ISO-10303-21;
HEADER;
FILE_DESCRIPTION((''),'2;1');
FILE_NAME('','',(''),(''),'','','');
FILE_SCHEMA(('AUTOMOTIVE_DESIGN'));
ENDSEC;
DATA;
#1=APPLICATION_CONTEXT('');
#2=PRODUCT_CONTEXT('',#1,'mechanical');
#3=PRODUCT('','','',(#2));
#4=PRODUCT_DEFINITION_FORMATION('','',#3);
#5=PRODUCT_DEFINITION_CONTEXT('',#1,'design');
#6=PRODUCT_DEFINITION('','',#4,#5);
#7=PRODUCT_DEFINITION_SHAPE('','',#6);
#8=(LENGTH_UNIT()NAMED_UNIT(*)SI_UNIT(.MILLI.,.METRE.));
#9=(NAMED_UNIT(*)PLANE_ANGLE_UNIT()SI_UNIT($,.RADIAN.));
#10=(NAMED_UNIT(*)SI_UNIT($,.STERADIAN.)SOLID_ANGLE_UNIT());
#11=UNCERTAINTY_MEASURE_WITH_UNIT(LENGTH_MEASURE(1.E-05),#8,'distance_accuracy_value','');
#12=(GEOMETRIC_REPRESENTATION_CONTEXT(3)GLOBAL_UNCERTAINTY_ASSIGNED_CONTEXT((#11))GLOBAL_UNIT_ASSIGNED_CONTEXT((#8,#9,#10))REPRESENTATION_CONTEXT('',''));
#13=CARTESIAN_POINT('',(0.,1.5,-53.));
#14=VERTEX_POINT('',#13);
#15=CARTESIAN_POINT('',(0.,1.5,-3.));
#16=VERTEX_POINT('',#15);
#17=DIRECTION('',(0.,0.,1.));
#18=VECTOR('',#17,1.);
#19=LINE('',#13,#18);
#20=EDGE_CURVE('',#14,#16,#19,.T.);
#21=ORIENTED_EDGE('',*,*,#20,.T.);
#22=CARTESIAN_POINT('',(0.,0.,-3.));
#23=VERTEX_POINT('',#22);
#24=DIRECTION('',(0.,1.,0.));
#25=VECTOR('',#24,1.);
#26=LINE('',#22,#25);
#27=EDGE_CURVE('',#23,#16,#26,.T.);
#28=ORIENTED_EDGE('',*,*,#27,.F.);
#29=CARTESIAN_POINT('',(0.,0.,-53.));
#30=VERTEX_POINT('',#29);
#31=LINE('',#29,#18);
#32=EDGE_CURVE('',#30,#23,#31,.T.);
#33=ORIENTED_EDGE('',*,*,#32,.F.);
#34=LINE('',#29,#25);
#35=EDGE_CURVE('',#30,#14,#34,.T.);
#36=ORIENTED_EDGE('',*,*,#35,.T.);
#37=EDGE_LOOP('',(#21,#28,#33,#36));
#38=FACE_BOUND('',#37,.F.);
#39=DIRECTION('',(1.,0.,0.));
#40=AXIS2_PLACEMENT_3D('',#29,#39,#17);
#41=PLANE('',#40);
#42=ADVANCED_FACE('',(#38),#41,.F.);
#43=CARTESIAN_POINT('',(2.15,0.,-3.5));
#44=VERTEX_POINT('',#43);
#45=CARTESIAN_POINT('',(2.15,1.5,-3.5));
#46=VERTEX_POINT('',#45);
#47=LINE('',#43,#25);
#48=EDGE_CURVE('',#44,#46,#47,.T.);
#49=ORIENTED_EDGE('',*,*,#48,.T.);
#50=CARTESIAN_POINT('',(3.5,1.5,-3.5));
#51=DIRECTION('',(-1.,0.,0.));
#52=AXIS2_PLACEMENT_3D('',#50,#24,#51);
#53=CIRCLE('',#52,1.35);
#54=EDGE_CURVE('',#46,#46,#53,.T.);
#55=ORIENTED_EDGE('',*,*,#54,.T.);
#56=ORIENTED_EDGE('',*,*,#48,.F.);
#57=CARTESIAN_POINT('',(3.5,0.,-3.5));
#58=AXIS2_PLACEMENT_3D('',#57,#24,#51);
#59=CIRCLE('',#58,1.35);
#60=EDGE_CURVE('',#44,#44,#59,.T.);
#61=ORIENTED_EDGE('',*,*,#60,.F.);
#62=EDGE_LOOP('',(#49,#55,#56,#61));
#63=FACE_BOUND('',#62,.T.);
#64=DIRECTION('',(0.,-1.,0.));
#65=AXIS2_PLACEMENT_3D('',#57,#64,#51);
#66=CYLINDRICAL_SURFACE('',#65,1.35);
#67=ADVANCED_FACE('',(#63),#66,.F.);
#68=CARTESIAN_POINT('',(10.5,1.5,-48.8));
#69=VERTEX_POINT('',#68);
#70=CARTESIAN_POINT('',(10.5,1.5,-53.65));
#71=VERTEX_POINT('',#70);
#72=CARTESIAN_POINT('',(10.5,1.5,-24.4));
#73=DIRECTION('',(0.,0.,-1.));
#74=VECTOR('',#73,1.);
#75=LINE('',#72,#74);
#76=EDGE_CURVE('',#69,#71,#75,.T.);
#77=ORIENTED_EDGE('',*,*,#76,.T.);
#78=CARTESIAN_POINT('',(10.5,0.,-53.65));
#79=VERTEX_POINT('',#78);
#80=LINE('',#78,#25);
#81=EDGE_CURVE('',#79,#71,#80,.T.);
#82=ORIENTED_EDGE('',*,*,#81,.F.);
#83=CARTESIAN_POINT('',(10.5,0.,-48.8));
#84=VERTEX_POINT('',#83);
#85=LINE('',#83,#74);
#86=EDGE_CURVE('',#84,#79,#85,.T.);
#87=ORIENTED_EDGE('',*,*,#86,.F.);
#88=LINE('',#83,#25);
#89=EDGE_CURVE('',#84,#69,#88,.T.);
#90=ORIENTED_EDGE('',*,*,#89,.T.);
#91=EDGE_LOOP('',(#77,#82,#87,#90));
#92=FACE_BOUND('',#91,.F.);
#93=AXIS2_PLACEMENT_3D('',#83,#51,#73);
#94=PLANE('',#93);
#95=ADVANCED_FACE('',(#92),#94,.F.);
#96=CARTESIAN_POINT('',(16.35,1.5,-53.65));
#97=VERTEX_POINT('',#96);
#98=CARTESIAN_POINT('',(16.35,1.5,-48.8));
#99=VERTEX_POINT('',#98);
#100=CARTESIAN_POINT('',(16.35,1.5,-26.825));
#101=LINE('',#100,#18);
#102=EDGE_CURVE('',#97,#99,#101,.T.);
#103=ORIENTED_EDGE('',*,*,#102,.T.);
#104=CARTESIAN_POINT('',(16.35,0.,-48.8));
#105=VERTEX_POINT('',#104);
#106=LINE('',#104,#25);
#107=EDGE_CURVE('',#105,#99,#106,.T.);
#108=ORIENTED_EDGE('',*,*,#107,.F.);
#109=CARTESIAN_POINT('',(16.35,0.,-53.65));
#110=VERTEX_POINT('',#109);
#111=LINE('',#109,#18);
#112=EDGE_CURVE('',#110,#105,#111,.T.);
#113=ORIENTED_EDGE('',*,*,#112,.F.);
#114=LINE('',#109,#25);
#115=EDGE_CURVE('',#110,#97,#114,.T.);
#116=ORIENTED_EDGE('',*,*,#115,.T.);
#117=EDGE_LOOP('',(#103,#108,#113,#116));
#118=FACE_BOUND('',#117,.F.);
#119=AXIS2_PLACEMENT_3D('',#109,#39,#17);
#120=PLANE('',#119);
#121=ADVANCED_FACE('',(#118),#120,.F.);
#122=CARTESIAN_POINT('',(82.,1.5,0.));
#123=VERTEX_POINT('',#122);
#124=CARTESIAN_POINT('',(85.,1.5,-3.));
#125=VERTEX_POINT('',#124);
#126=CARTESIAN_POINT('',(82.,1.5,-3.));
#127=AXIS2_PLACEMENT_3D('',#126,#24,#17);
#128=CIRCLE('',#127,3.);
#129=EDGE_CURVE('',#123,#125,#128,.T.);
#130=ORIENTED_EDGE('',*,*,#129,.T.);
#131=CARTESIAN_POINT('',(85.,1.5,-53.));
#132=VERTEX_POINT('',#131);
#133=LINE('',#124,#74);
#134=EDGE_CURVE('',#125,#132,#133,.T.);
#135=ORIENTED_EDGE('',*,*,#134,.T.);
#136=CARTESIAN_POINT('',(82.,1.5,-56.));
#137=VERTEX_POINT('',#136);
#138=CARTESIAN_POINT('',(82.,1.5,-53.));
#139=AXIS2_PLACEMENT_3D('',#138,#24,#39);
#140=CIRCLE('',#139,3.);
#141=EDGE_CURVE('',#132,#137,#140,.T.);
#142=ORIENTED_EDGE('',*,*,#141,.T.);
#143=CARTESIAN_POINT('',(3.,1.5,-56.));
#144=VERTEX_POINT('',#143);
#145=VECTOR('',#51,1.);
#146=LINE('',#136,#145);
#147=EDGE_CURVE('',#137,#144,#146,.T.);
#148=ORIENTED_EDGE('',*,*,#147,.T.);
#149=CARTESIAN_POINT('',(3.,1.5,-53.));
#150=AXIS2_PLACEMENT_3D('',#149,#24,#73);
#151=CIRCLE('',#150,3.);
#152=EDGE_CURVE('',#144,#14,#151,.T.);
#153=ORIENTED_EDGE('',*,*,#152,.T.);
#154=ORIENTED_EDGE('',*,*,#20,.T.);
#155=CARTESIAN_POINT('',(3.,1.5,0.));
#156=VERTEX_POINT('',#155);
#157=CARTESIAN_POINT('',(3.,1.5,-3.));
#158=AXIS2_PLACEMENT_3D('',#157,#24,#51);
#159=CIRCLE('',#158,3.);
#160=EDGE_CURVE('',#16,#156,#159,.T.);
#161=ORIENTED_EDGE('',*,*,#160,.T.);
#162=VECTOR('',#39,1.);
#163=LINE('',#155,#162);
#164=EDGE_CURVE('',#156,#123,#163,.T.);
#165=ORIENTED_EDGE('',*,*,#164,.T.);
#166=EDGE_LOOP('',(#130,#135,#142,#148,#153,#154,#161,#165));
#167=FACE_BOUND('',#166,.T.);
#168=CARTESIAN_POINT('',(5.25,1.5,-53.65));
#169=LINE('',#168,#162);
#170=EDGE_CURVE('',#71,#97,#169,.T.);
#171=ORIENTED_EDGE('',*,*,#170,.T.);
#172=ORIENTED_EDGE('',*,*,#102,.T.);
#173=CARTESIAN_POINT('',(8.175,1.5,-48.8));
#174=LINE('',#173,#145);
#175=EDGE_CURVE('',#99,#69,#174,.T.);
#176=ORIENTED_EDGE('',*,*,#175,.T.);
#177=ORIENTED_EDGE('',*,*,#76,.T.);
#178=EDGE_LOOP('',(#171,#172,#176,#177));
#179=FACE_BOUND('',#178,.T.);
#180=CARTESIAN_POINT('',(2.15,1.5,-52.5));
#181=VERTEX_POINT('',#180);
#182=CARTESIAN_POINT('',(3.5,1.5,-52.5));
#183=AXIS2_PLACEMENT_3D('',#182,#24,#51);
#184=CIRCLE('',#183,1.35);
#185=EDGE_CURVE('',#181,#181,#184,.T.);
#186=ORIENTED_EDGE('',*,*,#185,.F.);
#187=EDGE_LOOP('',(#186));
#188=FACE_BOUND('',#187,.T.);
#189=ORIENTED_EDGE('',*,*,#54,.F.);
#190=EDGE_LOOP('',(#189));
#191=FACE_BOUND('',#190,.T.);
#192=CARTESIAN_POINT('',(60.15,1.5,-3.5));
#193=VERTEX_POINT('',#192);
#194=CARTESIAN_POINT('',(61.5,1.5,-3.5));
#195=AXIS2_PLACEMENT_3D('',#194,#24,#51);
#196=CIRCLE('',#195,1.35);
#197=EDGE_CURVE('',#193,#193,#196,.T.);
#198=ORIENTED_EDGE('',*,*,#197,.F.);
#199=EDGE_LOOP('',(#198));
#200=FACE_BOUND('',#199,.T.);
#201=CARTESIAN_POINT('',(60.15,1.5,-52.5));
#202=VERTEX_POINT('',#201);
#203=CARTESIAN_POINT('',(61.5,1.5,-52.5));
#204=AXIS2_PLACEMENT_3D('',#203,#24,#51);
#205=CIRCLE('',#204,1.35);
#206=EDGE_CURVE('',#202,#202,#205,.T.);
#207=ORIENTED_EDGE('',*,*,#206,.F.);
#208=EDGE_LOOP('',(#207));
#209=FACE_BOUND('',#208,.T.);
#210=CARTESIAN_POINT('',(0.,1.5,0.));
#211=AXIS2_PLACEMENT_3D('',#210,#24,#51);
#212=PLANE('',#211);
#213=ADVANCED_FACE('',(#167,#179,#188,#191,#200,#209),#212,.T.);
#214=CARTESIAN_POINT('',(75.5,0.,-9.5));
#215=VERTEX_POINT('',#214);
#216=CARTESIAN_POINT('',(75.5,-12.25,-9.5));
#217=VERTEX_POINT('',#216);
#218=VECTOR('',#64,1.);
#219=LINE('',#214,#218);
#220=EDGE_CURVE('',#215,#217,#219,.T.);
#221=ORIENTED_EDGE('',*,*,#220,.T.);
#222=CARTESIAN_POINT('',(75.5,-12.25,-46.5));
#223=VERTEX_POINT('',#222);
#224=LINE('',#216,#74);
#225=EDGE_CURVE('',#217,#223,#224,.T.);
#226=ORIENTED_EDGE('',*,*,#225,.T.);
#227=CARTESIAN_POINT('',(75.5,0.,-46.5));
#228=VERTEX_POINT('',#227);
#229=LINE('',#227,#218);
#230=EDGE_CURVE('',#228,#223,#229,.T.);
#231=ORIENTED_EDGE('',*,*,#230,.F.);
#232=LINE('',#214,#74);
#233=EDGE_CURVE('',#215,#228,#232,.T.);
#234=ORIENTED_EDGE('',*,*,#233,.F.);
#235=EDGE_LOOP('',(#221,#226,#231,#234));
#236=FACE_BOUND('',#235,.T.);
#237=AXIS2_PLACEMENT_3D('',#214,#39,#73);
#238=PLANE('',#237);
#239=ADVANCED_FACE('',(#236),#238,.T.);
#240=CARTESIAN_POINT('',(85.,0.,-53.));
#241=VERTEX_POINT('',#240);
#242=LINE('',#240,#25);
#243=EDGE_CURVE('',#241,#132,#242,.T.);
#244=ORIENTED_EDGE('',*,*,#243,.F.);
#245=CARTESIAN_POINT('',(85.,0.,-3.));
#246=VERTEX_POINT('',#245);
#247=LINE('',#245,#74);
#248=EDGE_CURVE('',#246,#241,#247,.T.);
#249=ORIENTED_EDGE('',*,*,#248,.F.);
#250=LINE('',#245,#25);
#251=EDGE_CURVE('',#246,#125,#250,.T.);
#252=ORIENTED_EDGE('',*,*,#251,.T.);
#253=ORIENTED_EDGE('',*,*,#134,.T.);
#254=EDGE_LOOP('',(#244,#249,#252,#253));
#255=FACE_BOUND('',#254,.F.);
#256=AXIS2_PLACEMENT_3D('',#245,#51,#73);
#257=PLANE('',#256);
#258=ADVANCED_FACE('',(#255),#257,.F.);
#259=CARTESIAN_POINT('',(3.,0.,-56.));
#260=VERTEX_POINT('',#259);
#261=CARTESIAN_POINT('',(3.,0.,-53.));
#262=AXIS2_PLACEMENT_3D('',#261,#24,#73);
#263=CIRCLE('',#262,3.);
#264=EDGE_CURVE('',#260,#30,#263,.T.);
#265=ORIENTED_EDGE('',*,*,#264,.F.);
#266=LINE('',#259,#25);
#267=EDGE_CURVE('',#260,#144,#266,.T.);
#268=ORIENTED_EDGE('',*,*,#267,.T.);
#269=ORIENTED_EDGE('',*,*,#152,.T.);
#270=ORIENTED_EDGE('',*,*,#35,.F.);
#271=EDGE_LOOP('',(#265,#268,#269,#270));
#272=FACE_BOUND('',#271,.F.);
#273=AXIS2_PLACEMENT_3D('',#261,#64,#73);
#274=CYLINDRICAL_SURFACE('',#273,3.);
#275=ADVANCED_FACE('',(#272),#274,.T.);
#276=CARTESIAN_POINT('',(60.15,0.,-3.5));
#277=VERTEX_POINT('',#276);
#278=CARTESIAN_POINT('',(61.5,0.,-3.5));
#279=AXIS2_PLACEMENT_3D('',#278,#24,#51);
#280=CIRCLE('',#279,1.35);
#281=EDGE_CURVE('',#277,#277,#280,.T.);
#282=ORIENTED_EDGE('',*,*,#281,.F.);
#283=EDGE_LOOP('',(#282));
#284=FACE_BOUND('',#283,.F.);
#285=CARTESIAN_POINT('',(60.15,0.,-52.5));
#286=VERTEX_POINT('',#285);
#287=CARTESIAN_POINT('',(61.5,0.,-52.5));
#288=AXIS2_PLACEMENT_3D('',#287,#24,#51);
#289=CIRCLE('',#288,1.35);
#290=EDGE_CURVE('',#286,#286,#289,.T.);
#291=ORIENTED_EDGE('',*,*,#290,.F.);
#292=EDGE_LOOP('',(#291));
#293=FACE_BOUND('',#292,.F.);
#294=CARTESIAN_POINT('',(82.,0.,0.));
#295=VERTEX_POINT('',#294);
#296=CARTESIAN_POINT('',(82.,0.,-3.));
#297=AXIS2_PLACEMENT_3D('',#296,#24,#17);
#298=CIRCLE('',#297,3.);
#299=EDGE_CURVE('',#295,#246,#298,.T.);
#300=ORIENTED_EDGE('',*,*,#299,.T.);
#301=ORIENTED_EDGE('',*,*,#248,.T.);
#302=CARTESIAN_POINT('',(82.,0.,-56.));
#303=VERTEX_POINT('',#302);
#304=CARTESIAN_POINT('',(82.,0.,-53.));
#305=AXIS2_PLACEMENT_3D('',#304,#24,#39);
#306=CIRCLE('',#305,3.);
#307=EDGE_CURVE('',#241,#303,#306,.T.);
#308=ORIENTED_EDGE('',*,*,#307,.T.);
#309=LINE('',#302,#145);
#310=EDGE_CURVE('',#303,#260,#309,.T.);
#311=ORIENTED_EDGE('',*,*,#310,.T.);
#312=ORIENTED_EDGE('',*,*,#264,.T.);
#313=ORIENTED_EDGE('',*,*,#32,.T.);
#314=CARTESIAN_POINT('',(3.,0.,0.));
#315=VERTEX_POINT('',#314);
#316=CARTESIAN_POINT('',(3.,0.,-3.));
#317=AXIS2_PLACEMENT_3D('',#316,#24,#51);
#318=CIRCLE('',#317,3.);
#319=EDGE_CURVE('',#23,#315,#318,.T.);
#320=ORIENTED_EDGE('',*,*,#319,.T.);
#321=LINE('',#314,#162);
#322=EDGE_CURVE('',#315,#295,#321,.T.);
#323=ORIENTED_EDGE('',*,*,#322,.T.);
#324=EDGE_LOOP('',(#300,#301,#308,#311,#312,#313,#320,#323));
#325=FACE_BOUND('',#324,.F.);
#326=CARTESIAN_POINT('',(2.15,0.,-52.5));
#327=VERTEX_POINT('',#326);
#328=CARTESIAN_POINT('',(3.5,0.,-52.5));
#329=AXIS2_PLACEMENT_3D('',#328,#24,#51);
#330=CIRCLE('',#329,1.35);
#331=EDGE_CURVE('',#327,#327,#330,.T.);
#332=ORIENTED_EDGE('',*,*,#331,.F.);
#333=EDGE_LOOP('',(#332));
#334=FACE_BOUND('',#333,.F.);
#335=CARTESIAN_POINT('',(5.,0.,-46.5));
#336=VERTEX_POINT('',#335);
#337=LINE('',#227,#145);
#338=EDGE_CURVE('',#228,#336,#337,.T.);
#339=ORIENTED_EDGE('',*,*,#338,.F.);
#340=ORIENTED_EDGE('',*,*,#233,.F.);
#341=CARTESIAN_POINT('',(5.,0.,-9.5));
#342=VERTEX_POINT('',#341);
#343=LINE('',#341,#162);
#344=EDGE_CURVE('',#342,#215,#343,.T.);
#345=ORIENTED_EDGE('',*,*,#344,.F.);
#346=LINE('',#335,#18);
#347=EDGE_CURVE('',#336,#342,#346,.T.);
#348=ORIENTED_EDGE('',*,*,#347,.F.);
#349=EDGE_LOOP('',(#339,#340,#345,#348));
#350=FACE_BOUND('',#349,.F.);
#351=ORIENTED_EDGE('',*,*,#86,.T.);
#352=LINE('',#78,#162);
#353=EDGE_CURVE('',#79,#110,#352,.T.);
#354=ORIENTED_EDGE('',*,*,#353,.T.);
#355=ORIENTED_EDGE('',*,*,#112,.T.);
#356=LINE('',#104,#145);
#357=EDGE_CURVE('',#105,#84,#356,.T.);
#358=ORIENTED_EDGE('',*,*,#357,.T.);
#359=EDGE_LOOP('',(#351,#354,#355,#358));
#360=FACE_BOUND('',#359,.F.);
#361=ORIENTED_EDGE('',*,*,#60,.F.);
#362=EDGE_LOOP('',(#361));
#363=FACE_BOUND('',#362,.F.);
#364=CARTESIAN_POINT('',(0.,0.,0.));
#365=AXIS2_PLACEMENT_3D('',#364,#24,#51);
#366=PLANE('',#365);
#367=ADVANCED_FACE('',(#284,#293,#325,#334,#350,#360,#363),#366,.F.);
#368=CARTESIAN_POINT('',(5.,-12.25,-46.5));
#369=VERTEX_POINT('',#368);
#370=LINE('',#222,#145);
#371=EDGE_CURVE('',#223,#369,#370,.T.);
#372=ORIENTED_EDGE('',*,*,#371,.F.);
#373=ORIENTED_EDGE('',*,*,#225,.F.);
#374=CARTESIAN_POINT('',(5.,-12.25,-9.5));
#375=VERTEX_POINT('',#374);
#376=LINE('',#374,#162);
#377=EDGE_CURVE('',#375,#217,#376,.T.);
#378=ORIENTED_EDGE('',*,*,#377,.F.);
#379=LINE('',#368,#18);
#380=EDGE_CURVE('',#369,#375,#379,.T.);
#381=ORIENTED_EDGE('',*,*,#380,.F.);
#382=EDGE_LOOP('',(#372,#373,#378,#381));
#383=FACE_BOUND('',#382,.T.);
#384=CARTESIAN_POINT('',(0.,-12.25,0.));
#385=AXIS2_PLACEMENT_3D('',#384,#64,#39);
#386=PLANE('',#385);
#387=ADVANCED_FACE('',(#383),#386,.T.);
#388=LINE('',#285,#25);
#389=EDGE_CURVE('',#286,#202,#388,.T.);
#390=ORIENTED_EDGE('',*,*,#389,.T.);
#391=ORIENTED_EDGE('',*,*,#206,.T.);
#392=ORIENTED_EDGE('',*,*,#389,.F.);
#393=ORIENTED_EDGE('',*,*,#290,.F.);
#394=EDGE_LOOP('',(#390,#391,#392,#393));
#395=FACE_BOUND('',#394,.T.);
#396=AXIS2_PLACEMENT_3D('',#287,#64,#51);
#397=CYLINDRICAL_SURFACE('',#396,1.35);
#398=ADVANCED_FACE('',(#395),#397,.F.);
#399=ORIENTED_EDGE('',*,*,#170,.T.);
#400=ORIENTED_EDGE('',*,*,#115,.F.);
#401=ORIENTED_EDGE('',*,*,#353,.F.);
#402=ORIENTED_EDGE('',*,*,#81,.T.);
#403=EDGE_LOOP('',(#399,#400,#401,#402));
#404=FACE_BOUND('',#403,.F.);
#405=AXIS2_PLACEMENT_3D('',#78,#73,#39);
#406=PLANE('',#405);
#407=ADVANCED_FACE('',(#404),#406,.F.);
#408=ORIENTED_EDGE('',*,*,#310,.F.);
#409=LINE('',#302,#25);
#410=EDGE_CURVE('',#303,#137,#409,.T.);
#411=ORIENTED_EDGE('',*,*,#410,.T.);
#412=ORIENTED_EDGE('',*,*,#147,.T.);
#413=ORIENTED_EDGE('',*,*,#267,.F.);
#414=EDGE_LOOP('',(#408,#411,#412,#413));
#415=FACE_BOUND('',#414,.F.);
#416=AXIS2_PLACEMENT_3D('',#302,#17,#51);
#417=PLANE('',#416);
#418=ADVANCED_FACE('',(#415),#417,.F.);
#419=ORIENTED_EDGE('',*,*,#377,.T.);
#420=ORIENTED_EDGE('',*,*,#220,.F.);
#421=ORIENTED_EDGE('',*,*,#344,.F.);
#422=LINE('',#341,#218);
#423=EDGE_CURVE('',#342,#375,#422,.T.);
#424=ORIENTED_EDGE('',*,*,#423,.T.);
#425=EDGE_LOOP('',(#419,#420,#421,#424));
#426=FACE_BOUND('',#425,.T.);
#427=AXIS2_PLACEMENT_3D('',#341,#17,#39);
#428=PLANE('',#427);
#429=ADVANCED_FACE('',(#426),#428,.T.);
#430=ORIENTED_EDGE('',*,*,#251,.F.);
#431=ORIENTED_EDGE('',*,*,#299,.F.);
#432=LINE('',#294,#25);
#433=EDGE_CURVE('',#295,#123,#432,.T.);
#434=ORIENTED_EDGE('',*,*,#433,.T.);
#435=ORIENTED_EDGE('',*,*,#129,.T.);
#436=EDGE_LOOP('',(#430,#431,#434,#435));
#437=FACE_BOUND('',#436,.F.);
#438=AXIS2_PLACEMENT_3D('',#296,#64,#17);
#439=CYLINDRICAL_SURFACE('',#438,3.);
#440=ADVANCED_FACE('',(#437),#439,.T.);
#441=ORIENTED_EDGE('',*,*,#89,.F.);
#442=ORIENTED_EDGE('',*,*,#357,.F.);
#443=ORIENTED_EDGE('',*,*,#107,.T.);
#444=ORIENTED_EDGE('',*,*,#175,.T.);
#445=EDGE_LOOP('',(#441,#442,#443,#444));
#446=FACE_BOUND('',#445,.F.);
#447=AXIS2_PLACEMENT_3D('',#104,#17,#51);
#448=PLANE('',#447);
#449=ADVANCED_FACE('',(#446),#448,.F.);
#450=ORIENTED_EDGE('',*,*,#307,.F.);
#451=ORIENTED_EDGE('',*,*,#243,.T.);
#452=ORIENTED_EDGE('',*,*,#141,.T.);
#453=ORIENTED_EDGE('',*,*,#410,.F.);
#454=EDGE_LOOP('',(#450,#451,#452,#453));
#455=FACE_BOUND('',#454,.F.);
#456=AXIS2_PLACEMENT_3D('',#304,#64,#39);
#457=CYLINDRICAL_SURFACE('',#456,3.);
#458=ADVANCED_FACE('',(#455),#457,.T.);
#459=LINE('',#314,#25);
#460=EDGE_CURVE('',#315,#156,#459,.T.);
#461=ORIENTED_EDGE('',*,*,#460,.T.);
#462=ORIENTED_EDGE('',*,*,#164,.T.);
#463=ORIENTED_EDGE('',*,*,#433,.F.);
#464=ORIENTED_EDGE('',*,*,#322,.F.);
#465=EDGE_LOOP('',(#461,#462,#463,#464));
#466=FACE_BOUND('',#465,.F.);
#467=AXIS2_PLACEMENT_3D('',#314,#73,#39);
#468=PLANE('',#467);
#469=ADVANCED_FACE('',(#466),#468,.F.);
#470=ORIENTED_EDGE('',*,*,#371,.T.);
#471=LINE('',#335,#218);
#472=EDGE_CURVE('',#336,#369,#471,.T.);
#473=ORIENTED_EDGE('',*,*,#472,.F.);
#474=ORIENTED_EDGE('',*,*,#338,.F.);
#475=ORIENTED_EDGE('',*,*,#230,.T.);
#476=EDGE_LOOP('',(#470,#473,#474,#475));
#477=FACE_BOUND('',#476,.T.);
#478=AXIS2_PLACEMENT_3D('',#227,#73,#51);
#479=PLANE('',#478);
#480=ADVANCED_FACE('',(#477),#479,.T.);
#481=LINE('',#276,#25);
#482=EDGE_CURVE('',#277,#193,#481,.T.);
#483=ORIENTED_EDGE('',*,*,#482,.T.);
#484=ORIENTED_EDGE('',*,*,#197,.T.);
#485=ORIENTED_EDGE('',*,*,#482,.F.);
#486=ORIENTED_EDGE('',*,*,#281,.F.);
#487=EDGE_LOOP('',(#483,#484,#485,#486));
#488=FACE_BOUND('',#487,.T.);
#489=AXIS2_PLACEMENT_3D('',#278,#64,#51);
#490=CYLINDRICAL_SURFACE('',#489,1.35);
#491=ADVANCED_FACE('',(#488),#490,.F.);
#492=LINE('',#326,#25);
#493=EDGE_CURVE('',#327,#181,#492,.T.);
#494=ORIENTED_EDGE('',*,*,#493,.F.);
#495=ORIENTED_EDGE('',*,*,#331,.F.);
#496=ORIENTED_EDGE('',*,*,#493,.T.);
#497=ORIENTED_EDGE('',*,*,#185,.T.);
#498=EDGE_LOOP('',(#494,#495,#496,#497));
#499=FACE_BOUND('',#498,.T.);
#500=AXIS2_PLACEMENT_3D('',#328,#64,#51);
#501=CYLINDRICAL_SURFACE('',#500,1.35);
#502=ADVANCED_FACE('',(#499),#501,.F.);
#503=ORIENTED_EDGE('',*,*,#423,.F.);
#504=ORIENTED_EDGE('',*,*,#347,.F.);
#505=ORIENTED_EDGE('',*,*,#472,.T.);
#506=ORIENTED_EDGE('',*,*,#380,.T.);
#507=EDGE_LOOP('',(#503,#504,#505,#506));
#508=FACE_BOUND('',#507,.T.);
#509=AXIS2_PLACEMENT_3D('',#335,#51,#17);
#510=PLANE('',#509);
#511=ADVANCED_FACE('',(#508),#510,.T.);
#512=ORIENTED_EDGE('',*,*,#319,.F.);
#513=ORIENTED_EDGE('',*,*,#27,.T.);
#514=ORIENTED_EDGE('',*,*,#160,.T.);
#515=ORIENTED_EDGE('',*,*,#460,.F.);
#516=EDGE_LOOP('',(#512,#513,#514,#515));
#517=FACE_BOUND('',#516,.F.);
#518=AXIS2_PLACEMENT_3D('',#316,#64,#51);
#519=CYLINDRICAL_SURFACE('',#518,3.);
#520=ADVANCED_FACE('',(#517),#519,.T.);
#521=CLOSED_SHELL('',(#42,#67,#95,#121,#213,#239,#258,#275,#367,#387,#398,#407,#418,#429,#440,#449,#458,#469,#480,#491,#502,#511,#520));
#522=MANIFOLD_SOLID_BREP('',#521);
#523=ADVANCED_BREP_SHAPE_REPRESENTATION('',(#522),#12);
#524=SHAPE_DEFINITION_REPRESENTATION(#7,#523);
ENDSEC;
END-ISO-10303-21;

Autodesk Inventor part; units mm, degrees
ref_plane "YZ Plane" through (0, 0, 0) normal (1, 0, 0) x (0, 1, 0)
ref_plane "XZ Plane" through (0, 0, 0) normal (0, 1, 0) x (-1, 0, 0)
ref_plane "XY Plane" through (0, 0, 0) normal (0, 0, 1) x (1, 0, 0)
sketch "Sketch1" plane through (0, 0, 0) normal (0, 1, 0) x (-1, 0, 0)
  line L0 (-3, 0) -> (-82, 0)
  line L1 (-85, -3) -> (-85, -53)
  line L2 (-82, -56) -> (-3, -56)
  line L3 (0, -53) -> (0, -3)
  arc A0 (-3, -56) -> (0, -53) centre (-3, -53) ccw
  arc A1 (0, -3) -> (-3, 0) centre (-3, -3) ccw
  arc A2 (-82, 0) -> (-85, -3) centre (-82, -3) ccw
  arc A3 (-85, -53) -> (-82, -56) centre (-82, -53) ccw
  circle A4 centre (-3.5, -52.5) radius 1.35
  circle A5 centre (-3.5, -3.5) radius 1.35
  circle A6 centre (-61.5, -52.5) radius 1.35
  circle A7 centre (-61.5, -3.5) radius 1.35
  point P0 (0, 0)
  point P1 (-85, -56)
  point P2 (-85, 0)
  point P3 (0, -56)
  dimension "d0" = 85
  dimension "d1" = 56
  dimension "d2" = 3
  dimension "d9" = 2.7
  dimension "d10" = 2.7
  dimension "d15" = 2.7
  dimension "d16" = 2.7
  dimension "d140" = 58
  dimension "d141" = 58
  dimension "d142" = 49
  dimension "d143" = 3.5
extrude "Extrusion1" add sketch "Sketch1" along normal blind 1.5
sketch "Sketch12" plane through (0, 0, 0) normal (0, -1, 0) x (1, 0, 0)
  line L0 (5, -9.5) -> (75.5, -9.5)
  line L1 (75.5, -9.5) -> (75.5, -46.5)
  line L2 (75.5, -46.5) -> (5, -46.5)
  line L3 (5, -46.5) -> (5, -9.5)
  line L4 (82, -56) -> (3, -56) projected
  line L5 (85, -3) -> (85, -53) projected
  line L6 (3, 0) -> (82, 0) projected
  line L7 (0, -53) -> (0, -3) projected
  point P0 (0, 0)
  dimension "d152" = 9.5
  dimension "d153" = 9.5
  dimension "d154" = 9.5
  dimension "d155" = 5
extrude "Extrusion12" add sketch "Sketch12" along normal blind 12.25
sketch "Sketch13" plane through (0, 0, 0) normal (0, -1, 0) x (1, 0, 0)
  line L0 (10.5, -53.65) -> (16.35, -53.65)
  line L1 (16.35, -53.65) -> (16.35, -48.8)
  line L2 (16.35, -48.8) -> (10.5, -48.8)
  line L3 (10.5, -48.8) -> (10.5, -53.65)
  line L4 (0, -53) -> (0, -3) projected
  line L5 (82, -56) -> (3, -56) projected
  point P0 (0, 0)
  dimension "d146" = 10.5
  dimension "d147" = 2.35
  dimension "d148" = 4.85
  dimension "d149" = 5.85
extrude "Extrusion13" cut sketch "Sketch13" against normal up to next
properties part number "Pi4BatteryBoard_Mockup"
